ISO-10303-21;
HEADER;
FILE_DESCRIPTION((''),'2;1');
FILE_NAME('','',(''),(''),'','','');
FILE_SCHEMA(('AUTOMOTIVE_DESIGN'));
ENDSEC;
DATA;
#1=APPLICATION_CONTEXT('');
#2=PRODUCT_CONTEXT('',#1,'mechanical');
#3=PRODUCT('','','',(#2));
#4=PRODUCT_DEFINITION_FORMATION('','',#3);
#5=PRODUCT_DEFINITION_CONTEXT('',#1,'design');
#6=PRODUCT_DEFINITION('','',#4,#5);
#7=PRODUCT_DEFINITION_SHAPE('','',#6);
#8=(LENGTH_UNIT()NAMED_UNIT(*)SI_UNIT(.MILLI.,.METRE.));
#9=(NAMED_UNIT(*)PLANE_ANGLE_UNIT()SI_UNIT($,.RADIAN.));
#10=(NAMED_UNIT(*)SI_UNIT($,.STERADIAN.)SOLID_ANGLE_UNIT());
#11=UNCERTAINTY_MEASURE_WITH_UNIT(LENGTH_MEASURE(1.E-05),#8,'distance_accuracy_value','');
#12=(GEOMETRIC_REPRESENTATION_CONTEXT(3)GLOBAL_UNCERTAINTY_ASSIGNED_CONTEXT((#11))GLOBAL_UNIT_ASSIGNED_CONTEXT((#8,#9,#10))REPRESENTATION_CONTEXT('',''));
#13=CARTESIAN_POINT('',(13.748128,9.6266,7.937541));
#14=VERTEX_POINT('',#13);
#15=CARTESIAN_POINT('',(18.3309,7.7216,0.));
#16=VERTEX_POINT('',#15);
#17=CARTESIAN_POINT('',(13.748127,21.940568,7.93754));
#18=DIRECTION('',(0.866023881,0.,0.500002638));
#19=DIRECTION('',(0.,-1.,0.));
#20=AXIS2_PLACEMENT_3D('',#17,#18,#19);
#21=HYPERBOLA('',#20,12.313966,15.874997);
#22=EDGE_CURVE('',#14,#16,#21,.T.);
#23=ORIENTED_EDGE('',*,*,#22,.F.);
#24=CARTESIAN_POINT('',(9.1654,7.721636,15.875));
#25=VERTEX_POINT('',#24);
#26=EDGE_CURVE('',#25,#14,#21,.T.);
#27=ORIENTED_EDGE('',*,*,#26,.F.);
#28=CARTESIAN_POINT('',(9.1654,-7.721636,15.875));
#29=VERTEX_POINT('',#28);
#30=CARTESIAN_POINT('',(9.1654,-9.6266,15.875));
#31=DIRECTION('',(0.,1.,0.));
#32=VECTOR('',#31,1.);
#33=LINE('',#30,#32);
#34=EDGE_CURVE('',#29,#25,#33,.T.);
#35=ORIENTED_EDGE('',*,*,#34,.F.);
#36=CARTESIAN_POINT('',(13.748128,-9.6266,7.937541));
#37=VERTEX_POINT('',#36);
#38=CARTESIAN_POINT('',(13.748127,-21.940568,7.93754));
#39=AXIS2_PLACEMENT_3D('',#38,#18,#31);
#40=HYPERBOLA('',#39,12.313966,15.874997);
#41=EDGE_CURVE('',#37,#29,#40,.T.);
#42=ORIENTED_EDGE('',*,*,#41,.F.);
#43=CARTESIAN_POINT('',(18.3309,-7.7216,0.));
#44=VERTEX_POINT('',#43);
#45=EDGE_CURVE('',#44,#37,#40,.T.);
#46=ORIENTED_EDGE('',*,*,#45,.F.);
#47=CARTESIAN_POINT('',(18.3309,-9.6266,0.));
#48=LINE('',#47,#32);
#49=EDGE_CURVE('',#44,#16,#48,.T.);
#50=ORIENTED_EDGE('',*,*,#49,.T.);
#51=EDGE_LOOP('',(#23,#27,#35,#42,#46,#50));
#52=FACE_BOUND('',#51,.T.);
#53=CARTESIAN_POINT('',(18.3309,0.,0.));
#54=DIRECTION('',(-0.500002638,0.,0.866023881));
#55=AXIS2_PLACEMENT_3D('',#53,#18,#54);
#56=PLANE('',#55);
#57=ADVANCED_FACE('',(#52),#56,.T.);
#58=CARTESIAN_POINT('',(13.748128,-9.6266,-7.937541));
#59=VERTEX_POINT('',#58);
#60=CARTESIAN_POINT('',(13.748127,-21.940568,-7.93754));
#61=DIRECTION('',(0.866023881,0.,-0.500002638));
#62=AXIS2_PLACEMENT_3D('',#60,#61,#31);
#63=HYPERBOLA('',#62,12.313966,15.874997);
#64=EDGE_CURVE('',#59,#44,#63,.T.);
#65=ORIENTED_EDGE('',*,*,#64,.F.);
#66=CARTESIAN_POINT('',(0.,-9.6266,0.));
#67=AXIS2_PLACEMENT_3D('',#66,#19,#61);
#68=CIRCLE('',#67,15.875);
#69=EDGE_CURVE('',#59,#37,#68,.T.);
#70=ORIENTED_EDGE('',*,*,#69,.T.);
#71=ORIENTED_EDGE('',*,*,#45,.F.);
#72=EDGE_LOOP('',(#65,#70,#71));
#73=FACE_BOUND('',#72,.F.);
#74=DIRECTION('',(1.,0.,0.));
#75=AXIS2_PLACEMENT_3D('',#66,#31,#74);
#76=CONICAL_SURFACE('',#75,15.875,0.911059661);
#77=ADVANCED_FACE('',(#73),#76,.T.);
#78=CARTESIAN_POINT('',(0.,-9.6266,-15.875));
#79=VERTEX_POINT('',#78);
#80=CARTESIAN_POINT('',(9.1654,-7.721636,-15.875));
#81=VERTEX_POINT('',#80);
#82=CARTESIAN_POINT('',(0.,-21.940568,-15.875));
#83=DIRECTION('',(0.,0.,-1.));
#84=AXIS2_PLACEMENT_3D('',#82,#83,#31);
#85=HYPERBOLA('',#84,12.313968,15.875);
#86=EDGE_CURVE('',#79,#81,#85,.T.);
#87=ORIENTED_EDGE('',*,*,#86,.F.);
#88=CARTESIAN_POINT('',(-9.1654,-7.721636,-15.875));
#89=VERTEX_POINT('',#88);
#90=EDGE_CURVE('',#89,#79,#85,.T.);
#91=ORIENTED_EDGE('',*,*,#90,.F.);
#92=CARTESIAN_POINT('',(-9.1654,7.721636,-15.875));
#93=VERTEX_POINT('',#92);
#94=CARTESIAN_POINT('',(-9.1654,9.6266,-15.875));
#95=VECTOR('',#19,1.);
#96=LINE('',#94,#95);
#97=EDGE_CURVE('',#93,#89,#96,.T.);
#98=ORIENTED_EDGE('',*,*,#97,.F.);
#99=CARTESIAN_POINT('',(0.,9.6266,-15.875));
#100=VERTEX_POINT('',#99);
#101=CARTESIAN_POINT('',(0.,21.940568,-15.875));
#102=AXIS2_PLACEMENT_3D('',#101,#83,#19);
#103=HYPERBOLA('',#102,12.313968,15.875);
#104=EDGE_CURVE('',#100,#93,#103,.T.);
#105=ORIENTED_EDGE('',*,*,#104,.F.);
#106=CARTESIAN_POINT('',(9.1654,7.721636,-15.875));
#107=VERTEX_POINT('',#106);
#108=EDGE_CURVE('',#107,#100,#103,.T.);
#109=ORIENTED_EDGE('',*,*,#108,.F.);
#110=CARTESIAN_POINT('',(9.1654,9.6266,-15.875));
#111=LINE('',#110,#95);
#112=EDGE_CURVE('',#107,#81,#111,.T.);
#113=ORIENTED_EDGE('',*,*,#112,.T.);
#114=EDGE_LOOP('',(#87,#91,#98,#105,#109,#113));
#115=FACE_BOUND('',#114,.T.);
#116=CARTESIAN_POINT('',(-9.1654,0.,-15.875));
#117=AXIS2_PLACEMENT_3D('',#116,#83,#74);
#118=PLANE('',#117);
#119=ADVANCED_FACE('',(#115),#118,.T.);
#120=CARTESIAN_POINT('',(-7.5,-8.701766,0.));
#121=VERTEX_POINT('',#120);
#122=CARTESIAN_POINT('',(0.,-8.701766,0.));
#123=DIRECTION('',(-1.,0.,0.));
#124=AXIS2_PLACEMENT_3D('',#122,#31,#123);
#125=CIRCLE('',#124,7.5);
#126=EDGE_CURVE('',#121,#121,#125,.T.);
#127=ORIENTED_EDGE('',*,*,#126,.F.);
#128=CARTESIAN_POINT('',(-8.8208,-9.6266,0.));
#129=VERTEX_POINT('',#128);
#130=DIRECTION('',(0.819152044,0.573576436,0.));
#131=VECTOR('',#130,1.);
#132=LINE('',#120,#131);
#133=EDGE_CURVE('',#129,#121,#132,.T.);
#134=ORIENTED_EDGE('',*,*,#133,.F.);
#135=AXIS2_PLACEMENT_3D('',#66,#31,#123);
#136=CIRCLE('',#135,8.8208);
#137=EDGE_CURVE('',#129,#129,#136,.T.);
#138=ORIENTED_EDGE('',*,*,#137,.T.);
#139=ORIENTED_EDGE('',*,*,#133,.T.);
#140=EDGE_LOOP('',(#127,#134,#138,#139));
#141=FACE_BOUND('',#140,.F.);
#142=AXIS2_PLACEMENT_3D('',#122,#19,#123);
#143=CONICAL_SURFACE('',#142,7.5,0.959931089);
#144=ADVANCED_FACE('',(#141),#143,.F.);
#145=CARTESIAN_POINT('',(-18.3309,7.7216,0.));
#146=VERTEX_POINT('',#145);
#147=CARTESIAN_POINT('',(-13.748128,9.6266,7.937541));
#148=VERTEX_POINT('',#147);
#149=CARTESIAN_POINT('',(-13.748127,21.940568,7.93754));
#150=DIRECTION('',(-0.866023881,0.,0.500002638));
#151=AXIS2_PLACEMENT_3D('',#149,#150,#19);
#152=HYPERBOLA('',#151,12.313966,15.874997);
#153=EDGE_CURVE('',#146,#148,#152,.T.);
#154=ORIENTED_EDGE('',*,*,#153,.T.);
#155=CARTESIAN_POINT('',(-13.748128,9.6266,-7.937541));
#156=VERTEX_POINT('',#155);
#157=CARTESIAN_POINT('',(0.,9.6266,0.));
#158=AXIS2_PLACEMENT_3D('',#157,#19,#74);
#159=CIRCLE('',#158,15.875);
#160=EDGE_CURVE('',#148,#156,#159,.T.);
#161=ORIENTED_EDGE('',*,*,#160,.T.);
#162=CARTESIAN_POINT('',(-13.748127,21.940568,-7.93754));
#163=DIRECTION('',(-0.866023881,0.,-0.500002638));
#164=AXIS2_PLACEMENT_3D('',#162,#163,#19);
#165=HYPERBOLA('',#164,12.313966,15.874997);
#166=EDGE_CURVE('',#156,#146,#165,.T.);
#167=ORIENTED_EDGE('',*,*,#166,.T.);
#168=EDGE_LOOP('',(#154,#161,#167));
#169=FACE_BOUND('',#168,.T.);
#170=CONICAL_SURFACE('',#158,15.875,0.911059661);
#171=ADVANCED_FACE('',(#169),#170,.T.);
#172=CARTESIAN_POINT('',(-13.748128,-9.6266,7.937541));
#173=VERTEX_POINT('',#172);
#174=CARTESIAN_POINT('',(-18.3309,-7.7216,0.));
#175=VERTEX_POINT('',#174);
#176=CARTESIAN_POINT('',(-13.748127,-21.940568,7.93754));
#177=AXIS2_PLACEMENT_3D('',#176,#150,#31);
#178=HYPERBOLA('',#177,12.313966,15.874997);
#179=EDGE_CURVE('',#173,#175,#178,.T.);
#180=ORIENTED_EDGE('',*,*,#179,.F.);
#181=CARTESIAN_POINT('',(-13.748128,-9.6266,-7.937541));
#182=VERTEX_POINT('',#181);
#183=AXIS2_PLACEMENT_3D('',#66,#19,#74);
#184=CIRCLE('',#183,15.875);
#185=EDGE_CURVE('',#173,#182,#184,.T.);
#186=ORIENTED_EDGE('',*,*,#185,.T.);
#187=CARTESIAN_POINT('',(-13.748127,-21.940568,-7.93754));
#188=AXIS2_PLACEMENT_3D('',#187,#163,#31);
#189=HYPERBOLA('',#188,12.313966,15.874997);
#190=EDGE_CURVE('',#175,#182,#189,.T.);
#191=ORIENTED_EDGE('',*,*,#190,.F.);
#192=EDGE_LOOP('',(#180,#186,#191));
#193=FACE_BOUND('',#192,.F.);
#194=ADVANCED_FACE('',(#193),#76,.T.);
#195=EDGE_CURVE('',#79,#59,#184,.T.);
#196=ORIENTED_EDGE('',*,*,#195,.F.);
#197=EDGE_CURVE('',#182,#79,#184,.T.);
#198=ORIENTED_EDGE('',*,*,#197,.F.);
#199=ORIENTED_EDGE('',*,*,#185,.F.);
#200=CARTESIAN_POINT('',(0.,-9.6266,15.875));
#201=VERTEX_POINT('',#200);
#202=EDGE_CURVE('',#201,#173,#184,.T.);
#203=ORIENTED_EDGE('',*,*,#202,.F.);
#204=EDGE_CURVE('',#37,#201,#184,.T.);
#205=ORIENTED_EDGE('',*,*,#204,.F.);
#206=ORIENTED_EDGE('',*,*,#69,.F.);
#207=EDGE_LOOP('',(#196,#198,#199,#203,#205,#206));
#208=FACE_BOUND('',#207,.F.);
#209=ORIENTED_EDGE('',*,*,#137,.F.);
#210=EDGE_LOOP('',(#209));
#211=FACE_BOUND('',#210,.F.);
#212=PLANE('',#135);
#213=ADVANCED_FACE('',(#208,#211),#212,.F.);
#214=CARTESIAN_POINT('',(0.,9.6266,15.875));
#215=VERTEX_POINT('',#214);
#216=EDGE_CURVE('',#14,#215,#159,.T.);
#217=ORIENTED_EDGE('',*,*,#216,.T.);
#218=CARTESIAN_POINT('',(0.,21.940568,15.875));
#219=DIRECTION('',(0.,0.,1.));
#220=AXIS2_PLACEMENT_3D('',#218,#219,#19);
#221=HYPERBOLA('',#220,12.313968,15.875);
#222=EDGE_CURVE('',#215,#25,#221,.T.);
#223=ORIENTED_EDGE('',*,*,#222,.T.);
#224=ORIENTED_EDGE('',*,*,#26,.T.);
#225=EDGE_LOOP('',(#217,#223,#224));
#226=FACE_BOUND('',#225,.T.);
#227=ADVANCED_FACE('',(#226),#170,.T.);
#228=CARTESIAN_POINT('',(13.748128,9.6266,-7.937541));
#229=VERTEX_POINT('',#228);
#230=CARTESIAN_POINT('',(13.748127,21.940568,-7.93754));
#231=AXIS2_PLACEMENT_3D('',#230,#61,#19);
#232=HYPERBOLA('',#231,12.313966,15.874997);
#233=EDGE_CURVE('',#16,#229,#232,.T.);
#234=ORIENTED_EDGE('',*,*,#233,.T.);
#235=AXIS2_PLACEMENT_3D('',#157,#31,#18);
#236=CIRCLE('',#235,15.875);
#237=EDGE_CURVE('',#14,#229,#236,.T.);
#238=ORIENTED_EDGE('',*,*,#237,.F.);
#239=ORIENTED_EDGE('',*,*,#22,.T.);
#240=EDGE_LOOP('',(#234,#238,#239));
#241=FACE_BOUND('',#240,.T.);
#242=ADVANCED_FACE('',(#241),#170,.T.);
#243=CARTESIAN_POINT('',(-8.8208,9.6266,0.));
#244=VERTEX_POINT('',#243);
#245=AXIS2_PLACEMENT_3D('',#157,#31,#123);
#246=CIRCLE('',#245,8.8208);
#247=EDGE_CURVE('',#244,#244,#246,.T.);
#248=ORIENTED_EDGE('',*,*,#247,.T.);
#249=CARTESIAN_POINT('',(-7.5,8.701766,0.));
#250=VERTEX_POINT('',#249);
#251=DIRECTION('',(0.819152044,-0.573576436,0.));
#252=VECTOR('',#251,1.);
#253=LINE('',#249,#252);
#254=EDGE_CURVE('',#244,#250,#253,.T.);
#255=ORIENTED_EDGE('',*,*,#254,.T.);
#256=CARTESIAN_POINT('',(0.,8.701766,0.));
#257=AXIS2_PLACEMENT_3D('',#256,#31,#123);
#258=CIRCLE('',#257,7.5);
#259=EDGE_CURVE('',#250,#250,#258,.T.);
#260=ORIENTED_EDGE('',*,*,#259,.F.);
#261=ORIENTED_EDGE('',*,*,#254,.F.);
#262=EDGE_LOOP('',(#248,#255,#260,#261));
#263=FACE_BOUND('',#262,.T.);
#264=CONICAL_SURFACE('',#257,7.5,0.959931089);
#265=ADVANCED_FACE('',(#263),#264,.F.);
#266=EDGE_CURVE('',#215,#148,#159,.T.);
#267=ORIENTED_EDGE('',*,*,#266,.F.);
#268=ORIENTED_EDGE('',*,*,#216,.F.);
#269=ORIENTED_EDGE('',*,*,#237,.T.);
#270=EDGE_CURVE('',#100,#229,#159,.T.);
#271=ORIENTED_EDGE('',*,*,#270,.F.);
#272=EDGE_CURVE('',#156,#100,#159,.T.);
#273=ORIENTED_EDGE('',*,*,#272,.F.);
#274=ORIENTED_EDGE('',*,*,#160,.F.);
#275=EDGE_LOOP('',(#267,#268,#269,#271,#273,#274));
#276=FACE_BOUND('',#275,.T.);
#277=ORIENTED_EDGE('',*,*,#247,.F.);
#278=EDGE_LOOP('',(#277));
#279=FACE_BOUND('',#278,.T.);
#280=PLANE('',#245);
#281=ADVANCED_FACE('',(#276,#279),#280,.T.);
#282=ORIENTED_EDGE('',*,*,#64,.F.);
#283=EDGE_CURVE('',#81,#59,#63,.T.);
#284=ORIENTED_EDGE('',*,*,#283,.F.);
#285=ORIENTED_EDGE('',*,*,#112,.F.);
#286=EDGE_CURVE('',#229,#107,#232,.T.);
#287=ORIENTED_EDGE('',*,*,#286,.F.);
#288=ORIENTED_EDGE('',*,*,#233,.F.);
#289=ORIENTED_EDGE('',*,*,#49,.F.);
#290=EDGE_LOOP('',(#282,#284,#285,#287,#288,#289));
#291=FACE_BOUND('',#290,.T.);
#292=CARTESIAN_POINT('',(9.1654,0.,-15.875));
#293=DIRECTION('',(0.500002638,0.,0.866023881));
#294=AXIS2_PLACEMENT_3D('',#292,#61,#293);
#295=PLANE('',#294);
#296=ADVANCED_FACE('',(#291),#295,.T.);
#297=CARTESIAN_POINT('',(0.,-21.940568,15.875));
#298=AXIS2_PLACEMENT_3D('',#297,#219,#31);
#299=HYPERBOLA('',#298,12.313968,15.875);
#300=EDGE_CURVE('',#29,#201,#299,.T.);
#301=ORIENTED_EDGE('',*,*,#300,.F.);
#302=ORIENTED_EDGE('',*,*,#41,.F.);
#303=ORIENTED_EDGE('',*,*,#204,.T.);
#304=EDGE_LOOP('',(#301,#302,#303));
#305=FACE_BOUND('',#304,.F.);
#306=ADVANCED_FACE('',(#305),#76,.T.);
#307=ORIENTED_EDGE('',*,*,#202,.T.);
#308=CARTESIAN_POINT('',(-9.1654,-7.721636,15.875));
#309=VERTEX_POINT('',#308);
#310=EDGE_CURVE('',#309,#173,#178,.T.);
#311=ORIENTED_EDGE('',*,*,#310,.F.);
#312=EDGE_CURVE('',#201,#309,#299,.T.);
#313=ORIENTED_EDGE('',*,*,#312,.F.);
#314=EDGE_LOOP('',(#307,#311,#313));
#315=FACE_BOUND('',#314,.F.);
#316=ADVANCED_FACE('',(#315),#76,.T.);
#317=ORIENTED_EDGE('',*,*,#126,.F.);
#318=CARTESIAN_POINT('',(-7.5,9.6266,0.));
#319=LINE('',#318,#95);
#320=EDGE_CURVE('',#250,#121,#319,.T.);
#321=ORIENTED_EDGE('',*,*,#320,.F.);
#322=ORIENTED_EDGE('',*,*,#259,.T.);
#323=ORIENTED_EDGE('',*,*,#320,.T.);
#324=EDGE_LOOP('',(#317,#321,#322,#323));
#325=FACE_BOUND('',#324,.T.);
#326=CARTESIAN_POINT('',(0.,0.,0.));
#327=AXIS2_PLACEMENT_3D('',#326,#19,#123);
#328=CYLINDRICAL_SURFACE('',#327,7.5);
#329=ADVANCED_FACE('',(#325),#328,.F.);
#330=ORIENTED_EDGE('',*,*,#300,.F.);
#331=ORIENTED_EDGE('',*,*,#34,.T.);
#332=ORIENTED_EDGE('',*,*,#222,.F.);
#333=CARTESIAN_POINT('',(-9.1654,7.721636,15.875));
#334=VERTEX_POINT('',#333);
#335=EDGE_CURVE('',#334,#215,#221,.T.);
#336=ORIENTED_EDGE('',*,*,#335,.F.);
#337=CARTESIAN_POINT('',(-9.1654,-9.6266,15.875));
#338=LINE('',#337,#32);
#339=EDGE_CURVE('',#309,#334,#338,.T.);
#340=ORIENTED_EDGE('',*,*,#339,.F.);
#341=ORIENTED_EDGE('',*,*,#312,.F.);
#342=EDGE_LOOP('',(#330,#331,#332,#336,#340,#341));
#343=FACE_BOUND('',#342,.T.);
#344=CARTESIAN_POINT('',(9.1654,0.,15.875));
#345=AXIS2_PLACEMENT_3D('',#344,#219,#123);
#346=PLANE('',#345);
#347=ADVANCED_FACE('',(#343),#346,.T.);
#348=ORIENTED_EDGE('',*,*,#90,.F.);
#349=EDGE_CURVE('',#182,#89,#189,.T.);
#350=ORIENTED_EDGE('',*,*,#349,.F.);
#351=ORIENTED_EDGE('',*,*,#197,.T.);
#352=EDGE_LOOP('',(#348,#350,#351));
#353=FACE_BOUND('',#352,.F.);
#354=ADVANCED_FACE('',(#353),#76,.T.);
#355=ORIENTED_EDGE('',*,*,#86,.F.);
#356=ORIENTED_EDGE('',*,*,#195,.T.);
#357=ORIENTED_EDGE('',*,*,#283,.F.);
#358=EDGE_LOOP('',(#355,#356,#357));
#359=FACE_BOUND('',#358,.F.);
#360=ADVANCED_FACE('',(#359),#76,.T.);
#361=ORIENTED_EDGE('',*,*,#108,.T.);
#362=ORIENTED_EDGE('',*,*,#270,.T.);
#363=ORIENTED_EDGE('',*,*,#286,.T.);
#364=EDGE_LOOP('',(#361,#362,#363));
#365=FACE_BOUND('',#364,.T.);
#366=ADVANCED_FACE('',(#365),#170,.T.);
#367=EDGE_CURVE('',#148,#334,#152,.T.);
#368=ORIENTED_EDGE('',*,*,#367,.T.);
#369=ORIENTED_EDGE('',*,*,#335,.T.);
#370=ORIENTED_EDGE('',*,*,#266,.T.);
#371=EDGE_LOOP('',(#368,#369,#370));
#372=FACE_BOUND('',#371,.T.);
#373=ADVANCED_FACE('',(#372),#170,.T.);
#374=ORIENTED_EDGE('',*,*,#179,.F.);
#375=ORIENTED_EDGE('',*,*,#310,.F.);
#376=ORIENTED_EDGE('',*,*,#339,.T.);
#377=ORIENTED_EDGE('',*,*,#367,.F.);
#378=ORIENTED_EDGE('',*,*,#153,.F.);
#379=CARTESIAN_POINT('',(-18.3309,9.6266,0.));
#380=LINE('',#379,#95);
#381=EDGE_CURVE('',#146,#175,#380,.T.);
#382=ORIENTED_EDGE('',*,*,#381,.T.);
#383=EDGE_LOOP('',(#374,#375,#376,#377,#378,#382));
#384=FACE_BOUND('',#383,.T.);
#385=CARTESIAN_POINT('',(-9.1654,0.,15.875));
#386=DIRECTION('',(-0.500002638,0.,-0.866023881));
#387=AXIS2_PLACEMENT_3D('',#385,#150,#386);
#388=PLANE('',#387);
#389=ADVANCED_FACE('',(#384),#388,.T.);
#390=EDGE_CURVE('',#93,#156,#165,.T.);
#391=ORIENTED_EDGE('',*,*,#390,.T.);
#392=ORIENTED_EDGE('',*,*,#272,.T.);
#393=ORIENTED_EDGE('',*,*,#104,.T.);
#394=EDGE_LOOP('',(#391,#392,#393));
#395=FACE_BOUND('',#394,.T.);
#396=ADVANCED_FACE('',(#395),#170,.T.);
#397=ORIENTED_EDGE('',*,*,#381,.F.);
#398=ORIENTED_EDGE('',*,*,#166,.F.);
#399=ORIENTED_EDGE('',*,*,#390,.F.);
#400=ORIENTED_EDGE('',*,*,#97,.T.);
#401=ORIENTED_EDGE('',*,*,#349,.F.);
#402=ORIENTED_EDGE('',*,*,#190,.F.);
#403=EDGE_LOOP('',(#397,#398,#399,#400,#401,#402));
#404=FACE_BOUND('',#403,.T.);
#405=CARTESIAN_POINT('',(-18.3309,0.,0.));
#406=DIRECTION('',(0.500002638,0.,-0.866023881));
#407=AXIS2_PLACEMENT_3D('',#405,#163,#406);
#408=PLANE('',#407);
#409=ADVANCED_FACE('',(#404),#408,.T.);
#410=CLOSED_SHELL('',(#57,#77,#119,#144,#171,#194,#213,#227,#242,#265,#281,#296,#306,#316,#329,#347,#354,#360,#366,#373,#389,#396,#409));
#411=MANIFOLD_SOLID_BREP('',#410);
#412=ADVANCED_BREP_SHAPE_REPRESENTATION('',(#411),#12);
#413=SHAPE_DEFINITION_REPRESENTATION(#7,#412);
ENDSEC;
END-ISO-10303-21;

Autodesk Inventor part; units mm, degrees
ref_plane "YZ Plane" through (0, 0, 0) normal (1, 0, 0) x (0, 1, 0)
ref_plane "XZ Plane" through (0, 0, 0) normal (0, 1, 0) x (-1, 0, 0)
ref_plane "XY Plane" through (0, 0, 0) normal (0, 0, 1) x (1, 0, 0)
sketch "Sketch1" plane through (0, 0, 0) normal (0, 1, 0) x (-1, 0, 0)
  line L0 (9.1654, 15.875) -> (18.3309, 0)
  line L1 (18.3309, 0) -> (9.1654, -15.875)
  line L2 (9.1654, -15.875) -> (-9.1654, -15.875)
  line L3 (-9.1654, -15.875) -> (-18.3309, 0)
  line L4 (-18.3309, 0) -> (-9.1654, 15.875)
  line L5 (-9.1654, 15.875) -> (9.1654, 15.875)
  circle A0 centre (0, 0) radius 7.5
  dimension "HEX_FLATS" = 31.75
  dimension "NUT_SIZE" = 15
extrude "Extrusion1" add sketch "Sketch1" along normal mid plane 19.2532
sketch "Sketch2" plane through (0, 0, 0) normal (0, 0, 1) x (1, 0, 0)
  line L0 (18.3309, -9.6266) -> (9.1654, -9.6266) projected
  line L1 (15.875, -9.6266) -> (18.3309, -7.7216)
  line L2 (28.575, -7.7216) -> (28.575, -20.4216)
  line L3 (28.575, -20.4216) -> (15.875, -20.4216)
  line L4 (15.875, -20.4216) -> (15.875, -9.6266)
  line L5 (0, 0) -> (0, -1.2828)
  line L6 (18.3309, 9.6266) -> (18.3309, -9.6266) projected
  line L7 (18.3309, -7.7216) -> (28.575, -7.7216)
  line L8 (18.3309, 0) -> (27.089, 0) construction
  dimension "OUTSIDE_CHAMFER_LONG" = 15.875
  dimension "OUTSIDE_CHAMFER_SHORT" = 1.905
  dimension "d12" = 12.7
  dimension "d13" = 12.7
revolve "Revolution1" cut sketch "Sketch2" angle 360 about axis through (0, 0, 0) along (0, -1, 0)
mirror "Mirror1" about plane through (0, 0, 0) normal (0, 1, 0) of "Revolution1"
chamfer "Chamfer1" distance 1.3208 angle 35 1 edges at (7.5, 9.6266, 0) measured on face at (8.9141, 9.6266, 9.4797)
chamfer "Chamfer2" distance 1.3208 angle 35 1 edges at (7.5, -9.6266, 0) measured on face at (8.9141, -9.6266, 9.4797)
properties material "Stainless Steel"
